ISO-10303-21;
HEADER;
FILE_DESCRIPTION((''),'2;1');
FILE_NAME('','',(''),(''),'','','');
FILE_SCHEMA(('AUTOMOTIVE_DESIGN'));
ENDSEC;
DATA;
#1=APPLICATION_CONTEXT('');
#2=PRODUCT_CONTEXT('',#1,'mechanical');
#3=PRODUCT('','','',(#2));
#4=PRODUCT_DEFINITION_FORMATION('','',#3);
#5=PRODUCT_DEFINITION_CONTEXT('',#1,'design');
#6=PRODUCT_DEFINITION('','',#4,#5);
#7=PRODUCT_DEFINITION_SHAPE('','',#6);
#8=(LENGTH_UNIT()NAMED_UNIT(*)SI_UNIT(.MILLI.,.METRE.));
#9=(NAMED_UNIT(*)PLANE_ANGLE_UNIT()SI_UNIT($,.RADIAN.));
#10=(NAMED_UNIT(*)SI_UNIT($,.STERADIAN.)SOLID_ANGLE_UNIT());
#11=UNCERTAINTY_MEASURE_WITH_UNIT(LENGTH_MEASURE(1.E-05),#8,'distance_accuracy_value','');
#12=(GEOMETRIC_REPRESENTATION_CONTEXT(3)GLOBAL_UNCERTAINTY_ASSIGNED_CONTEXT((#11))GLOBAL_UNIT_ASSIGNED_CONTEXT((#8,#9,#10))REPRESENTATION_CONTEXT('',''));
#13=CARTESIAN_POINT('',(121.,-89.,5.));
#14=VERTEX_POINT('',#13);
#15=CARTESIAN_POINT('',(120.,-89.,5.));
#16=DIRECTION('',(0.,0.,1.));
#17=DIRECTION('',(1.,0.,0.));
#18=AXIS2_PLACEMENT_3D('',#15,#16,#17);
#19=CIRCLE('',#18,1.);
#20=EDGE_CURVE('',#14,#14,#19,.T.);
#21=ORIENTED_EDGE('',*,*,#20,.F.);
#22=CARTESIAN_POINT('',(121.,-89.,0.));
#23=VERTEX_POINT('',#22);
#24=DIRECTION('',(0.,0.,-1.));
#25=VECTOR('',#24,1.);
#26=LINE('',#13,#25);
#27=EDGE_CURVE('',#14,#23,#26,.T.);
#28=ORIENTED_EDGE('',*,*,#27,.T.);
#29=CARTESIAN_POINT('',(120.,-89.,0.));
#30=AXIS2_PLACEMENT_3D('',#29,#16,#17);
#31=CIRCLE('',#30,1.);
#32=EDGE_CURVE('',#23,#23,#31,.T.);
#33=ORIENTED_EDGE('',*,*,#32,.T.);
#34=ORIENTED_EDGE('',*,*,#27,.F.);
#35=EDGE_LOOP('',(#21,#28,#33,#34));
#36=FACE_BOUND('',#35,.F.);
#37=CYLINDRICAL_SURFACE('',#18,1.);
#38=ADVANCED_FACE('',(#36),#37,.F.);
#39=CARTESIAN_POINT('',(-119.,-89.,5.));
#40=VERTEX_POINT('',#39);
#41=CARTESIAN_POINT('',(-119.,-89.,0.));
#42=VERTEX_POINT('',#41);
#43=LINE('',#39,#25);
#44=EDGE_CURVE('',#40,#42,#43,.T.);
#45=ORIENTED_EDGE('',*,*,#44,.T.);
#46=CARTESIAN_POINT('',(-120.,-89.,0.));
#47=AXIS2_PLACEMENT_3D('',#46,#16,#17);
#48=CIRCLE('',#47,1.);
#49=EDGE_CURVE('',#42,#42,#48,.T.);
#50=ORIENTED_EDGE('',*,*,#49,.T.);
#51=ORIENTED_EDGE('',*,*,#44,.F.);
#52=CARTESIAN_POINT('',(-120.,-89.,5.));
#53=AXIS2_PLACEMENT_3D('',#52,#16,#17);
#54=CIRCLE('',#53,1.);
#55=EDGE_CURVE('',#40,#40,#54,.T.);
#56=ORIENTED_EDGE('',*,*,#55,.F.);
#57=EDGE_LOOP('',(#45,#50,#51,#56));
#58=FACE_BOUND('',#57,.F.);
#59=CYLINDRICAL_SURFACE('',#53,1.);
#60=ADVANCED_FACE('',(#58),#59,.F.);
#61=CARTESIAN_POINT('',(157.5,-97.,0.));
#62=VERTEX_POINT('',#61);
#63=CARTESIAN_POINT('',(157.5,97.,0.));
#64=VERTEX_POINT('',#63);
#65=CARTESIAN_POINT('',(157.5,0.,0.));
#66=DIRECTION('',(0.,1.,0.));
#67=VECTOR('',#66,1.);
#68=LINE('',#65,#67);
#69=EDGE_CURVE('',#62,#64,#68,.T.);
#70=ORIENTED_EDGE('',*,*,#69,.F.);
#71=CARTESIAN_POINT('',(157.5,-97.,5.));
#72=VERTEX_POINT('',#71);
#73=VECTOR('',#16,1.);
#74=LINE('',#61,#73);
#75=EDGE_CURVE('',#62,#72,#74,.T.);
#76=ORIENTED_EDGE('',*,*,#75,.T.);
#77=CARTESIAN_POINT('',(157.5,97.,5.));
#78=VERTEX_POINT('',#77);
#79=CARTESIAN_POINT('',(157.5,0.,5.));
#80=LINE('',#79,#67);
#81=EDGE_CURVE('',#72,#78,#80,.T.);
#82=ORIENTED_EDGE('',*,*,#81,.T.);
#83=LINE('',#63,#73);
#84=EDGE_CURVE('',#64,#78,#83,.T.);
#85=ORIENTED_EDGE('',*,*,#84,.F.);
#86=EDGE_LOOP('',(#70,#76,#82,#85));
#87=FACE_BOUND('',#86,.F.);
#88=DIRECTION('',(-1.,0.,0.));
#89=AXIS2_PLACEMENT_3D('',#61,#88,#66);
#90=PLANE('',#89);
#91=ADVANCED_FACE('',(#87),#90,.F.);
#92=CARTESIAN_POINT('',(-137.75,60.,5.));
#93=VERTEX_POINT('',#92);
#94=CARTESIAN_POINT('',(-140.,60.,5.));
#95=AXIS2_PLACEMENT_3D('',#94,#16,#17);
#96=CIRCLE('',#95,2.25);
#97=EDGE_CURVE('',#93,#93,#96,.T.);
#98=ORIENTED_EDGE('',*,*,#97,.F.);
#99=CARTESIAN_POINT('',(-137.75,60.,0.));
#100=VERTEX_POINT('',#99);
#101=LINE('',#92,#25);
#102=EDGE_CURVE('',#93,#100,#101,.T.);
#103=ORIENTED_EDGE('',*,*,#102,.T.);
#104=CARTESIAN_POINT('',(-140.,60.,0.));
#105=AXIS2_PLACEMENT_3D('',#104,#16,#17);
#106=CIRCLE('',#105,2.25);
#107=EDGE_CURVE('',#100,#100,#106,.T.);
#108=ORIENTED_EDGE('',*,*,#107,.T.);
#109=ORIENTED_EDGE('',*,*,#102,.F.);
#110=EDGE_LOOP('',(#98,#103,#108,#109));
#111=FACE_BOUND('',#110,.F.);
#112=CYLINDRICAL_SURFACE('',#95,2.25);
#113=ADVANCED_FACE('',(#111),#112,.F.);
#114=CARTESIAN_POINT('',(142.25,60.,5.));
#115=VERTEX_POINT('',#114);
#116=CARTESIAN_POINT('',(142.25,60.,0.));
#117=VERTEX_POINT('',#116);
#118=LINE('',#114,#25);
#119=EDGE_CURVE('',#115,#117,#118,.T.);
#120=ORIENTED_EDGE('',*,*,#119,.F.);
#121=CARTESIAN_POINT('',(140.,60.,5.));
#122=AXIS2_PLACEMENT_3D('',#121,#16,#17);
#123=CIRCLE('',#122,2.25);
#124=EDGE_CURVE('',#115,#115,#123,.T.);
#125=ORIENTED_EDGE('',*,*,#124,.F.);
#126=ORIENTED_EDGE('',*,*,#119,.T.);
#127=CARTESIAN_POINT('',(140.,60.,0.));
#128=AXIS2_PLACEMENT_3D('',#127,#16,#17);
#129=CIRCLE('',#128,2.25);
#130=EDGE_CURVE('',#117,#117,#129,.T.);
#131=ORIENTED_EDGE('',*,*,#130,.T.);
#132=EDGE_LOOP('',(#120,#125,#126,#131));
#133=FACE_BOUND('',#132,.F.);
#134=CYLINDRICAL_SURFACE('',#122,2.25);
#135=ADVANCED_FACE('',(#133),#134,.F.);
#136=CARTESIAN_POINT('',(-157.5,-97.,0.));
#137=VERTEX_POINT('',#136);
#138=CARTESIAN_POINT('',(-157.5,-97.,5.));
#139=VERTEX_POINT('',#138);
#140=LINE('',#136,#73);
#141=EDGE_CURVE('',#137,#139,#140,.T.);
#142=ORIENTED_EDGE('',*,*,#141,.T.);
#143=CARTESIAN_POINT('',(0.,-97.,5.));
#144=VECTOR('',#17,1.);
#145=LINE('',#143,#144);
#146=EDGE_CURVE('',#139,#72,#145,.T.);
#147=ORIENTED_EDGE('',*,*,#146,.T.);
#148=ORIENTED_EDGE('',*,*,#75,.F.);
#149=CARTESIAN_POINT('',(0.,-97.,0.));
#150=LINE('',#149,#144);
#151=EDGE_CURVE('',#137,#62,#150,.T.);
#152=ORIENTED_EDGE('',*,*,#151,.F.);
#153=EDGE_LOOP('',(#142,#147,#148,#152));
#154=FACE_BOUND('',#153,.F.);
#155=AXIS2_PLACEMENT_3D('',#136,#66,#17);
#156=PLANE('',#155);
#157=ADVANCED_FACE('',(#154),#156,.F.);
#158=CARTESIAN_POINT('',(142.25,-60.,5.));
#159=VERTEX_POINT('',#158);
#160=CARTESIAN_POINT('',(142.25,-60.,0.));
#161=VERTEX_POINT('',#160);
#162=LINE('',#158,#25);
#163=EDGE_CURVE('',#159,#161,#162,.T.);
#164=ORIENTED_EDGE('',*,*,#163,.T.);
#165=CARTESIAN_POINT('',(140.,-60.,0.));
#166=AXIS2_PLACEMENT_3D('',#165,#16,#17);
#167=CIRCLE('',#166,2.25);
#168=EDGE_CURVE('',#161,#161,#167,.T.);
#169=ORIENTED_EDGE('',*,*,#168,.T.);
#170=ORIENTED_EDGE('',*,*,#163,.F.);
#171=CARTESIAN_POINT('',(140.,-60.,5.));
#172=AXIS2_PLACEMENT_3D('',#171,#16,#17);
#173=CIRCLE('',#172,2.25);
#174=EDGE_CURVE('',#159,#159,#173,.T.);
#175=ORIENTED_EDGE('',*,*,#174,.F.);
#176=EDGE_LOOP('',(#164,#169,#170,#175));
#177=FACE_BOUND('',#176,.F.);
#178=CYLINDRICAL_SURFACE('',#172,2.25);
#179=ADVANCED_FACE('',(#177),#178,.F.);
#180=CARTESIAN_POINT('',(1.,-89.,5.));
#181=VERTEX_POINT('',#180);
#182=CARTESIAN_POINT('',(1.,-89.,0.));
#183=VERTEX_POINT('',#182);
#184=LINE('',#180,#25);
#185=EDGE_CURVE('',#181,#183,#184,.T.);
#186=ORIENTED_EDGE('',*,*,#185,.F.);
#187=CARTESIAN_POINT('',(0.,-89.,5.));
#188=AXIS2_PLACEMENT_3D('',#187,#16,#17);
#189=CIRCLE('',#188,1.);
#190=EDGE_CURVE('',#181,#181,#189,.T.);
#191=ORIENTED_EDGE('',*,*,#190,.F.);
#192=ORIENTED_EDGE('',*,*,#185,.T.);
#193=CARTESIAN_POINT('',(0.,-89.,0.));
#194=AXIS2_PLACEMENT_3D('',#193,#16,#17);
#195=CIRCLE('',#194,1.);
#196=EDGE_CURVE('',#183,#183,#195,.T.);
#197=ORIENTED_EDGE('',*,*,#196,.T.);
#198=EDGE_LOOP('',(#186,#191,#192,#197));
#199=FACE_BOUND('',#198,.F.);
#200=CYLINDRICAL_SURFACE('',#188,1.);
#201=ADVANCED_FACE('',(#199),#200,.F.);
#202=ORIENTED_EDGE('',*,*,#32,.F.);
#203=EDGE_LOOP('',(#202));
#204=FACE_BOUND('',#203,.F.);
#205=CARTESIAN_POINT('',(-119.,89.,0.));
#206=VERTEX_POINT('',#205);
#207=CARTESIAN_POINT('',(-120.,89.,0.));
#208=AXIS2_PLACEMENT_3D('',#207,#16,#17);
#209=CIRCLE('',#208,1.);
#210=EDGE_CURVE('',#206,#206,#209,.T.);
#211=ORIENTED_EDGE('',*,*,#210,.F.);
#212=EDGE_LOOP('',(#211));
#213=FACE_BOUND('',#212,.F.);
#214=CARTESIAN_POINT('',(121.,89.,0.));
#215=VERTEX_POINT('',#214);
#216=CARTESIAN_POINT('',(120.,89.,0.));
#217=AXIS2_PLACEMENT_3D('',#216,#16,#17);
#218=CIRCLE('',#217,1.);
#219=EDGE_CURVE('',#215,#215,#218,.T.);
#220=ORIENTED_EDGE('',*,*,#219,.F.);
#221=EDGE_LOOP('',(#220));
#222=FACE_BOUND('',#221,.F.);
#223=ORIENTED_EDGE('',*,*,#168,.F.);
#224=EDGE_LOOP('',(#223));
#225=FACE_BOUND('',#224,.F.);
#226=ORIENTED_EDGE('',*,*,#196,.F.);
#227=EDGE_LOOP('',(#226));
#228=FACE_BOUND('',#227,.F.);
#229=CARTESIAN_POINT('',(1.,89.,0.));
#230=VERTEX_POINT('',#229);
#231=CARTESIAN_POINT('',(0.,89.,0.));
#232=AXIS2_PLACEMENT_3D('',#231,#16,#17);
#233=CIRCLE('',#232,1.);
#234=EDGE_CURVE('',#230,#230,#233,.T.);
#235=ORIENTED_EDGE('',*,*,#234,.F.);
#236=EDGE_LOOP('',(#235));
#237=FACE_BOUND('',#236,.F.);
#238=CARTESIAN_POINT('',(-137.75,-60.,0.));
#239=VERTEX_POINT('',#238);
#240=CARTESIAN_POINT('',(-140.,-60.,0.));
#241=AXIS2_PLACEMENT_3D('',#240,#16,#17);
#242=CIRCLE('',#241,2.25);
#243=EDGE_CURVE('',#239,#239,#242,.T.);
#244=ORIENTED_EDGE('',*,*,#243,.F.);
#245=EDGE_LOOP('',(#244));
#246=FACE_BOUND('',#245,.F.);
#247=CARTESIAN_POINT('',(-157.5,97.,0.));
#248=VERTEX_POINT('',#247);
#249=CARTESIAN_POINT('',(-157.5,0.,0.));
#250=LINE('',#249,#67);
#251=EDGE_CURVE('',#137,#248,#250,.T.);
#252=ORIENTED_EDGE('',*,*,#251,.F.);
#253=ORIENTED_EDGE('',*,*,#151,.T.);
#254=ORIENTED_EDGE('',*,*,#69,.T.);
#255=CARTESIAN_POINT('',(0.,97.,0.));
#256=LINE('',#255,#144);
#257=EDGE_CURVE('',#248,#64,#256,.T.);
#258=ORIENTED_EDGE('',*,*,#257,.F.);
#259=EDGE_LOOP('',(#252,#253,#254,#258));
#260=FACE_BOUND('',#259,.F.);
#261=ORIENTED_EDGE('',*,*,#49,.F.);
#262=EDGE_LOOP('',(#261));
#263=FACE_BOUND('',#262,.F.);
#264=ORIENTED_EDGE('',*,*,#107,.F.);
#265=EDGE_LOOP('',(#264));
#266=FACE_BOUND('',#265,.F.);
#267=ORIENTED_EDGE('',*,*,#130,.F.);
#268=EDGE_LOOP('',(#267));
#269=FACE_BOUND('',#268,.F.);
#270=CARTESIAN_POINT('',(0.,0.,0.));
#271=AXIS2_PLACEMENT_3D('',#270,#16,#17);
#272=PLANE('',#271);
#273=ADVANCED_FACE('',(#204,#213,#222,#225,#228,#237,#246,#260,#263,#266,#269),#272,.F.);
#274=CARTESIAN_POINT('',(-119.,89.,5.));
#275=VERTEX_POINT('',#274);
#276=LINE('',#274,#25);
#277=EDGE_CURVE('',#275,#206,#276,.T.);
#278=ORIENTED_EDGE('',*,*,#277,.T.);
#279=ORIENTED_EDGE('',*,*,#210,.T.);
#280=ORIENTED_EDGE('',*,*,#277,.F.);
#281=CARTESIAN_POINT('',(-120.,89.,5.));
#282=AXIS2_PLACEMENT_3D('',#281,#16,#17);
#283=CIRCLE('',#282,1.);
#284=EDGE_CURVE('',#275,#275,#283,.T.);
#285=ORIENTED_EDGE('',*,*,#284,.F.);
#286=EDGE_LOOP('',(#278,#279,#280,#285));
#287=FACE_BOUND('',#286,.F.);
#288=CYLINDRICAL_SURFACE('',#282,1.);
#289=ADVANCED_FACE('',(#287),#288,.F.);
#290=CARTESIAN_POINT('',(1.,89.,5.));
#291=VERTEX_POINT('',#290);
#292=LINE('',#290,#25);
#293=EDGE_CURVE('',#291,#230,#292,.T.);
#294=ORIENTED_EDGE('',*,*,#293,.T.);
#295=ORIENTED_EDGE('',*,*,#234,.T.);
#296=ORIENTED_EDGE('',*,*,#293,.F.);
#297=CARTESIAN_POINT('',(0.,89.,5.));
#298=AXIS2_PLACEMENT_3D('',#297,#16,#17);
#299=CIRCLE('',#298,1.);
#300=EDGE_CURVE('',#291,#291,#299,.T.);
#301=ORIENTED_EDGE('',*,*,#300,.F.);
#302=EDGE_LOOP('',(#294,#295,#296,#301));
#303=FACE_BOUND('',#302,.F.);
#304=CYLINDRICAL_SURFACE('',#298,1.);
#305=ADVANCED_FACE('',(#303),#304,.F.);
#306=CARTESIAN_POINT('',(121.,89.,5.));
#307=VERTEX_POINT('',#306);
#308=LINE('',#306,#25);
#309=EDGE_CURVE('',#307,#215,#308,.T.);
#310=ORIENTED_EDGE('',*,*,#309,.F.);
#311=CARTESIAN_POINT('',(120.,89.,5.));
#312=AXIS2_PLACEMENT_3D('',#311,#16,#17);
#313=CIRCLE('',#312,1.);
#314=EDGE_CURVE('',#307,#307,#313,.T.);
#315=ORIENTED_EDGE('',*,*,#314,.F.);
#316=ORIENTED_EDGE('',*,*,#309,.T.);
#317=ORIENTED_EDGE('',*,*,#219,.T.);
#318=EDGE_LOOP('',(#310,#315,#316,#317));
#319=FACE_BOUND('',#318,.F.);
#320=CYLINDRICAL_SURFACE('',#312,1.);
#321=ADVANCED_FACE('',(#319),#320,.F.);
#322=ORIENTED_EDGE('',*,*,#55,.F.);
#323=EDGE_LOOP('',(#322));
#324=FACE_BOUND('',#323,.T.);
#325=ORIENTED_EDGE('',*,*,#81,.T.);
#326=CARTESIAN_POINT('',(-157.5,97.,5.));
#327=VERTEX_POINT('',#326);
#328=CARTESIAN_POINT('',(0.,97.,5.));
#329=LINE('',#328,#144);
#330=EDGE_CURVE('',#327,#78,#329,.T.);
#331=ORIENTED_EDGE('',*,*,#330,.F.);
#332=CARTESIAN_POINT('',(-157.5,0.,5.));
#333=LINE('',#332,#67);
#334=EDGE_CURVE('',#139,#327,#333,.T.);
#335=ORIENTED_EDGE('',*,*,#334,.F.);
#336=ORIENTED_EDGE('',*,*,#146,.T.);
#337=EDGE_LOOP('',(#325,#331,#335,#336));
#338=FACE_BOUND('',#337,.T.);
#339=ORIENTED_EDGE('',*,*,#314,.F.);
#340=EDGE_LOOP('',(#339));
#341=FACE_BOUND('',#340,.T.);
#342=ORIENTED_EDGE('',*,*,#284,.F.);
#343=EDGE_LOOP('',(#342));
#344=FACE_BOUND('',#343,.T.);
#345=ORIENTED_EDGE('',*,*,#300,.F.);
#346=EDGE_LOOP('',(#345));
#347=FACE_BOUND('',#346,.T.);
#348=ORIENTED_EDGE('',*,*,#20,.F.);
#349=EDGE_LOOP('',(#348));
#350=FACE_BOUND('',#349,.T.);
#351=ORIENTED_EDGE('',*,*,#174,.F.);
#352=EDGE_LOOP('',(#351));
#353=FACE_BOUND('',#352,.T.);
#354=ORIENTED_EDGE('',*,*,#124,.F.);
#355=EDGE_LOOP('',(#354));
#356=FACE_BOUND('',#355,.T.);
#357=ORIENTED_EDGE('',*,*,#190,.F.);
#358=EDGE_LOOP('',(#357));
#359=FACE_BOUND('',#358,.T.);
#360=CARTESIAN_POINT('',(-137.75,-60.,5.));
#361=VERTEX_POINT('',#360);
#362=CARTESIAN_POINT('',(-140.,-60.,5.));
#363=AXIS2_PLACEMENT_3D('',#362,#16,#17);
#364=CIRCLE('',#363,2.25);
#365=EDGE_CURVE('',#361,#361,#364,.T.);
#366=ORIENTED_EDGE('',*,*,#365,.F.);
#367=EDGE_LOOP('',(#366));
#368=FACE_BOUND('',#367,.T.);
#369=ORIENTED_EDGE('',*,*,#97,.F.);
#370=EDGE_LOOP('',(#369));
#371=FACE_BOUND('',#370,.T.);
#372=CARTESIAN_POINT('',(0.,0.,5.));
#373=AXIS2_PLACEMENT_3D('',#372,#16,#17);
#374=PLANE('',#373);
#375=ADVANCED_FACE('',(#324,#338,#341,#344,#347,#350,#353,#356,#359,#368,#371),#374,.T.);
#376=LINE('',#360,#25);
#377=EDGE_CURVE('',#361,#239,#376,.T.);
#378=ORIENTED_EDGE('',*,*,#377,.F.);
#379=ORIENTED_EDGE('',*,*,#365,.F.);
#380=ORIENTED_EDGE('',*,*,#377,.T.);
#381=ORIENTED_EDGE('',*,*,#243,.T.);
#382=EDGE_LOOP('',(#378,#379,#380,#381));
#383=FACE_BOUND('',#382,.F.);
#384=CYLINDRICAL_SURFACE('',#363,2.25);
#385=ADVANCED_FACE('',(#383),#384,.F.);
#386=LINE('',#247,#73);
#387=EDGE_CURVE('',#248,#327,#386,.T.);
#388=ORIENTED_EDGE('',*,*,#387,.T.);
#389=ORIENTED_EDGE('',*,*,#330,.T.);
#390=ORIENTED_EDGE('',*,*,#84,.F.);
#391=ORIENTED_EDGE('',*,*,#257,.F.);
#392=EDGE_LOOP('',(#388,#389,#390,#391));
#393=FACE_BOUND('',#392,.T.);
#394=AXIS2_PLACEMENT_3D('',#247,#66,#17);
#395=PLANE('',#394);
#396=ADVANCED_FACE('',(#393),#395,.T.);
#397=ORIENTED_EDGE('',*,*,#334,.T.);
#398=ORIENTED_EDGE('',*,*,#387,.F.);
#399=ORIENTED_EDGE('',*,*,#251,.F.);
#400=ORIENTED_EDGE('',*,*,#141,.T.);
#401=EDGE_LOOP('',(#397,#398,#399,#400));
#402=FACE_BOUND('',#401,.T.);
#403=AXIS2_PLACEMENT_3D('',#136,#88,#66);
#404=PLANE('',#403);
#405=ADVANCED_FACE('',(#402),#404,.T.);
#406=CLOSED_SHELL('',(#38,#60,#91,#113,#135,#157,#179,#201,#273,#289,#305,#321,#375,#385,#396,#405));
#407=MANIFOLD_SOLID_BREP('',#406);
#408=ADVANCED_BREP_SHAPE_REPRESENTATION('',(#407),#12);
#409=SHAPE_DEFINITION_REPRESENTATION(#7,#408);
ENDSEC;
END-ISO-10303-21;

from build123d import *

# Parameters (mm, degrees)
SKETCH_W        = 315
SKETCH_H        = 194
PAD_DEPTH       = 5
SKETCH001_R     = 1
POCKET_DEPTH    = 5.001
SKETCH002_R     = 2.25
POCKET001_DEPTH = 5.001


with BuildPart() as part:
    # Sketch → Pad (new body)
    with BuildSketch(Plane.XY):
        Rectangle(SKETCH_W, SKETCH_H)
    extrude(amount=PAD_DEPTH)

    # Sketch001 (on Face6 of Pad) → Pocket (cut, through all)
    with BuildSketch(Plane.XY.offset(5)):
        with Locations((-120, 89)):
            Circle(SKETCH001_R)
        with Locations((0, 89)):
            Circle(SKETCH001_R)
        with Locations((120, 89)):
            Circle(SKETCH001_R)
        with Locations((-120, -89)):
            Circle(SKETCH001_R)
        with Locations((0, -89)):
            Circle(SKETCH001_R)
        with Locations((120, -89)):
            Circle(SKETCH001_R)
    extrude(amount=-POCKET_DEPTH, mode=Mode.SUBTRACT)

    # Sketch002 (on Face5 of Pocket) → Pocket001 (cut, through all)
    with BuildSketch(Plane.XY.offset(5)):
        with Locations((-140, 60)):
            Circle(SKETCH002_R)
        with Locations((140, 60)):
            Circle(SKETCH002_R)
        with Locations((-140, -60)):
            Circle(SKETCH002_R)
        with Locations((140, -60)):
            Circle(SKETCH002_R)
    extrude(amount=-POCKET001_DEPTH, mode=Mode.SUBTRACT)


solid = part.part
